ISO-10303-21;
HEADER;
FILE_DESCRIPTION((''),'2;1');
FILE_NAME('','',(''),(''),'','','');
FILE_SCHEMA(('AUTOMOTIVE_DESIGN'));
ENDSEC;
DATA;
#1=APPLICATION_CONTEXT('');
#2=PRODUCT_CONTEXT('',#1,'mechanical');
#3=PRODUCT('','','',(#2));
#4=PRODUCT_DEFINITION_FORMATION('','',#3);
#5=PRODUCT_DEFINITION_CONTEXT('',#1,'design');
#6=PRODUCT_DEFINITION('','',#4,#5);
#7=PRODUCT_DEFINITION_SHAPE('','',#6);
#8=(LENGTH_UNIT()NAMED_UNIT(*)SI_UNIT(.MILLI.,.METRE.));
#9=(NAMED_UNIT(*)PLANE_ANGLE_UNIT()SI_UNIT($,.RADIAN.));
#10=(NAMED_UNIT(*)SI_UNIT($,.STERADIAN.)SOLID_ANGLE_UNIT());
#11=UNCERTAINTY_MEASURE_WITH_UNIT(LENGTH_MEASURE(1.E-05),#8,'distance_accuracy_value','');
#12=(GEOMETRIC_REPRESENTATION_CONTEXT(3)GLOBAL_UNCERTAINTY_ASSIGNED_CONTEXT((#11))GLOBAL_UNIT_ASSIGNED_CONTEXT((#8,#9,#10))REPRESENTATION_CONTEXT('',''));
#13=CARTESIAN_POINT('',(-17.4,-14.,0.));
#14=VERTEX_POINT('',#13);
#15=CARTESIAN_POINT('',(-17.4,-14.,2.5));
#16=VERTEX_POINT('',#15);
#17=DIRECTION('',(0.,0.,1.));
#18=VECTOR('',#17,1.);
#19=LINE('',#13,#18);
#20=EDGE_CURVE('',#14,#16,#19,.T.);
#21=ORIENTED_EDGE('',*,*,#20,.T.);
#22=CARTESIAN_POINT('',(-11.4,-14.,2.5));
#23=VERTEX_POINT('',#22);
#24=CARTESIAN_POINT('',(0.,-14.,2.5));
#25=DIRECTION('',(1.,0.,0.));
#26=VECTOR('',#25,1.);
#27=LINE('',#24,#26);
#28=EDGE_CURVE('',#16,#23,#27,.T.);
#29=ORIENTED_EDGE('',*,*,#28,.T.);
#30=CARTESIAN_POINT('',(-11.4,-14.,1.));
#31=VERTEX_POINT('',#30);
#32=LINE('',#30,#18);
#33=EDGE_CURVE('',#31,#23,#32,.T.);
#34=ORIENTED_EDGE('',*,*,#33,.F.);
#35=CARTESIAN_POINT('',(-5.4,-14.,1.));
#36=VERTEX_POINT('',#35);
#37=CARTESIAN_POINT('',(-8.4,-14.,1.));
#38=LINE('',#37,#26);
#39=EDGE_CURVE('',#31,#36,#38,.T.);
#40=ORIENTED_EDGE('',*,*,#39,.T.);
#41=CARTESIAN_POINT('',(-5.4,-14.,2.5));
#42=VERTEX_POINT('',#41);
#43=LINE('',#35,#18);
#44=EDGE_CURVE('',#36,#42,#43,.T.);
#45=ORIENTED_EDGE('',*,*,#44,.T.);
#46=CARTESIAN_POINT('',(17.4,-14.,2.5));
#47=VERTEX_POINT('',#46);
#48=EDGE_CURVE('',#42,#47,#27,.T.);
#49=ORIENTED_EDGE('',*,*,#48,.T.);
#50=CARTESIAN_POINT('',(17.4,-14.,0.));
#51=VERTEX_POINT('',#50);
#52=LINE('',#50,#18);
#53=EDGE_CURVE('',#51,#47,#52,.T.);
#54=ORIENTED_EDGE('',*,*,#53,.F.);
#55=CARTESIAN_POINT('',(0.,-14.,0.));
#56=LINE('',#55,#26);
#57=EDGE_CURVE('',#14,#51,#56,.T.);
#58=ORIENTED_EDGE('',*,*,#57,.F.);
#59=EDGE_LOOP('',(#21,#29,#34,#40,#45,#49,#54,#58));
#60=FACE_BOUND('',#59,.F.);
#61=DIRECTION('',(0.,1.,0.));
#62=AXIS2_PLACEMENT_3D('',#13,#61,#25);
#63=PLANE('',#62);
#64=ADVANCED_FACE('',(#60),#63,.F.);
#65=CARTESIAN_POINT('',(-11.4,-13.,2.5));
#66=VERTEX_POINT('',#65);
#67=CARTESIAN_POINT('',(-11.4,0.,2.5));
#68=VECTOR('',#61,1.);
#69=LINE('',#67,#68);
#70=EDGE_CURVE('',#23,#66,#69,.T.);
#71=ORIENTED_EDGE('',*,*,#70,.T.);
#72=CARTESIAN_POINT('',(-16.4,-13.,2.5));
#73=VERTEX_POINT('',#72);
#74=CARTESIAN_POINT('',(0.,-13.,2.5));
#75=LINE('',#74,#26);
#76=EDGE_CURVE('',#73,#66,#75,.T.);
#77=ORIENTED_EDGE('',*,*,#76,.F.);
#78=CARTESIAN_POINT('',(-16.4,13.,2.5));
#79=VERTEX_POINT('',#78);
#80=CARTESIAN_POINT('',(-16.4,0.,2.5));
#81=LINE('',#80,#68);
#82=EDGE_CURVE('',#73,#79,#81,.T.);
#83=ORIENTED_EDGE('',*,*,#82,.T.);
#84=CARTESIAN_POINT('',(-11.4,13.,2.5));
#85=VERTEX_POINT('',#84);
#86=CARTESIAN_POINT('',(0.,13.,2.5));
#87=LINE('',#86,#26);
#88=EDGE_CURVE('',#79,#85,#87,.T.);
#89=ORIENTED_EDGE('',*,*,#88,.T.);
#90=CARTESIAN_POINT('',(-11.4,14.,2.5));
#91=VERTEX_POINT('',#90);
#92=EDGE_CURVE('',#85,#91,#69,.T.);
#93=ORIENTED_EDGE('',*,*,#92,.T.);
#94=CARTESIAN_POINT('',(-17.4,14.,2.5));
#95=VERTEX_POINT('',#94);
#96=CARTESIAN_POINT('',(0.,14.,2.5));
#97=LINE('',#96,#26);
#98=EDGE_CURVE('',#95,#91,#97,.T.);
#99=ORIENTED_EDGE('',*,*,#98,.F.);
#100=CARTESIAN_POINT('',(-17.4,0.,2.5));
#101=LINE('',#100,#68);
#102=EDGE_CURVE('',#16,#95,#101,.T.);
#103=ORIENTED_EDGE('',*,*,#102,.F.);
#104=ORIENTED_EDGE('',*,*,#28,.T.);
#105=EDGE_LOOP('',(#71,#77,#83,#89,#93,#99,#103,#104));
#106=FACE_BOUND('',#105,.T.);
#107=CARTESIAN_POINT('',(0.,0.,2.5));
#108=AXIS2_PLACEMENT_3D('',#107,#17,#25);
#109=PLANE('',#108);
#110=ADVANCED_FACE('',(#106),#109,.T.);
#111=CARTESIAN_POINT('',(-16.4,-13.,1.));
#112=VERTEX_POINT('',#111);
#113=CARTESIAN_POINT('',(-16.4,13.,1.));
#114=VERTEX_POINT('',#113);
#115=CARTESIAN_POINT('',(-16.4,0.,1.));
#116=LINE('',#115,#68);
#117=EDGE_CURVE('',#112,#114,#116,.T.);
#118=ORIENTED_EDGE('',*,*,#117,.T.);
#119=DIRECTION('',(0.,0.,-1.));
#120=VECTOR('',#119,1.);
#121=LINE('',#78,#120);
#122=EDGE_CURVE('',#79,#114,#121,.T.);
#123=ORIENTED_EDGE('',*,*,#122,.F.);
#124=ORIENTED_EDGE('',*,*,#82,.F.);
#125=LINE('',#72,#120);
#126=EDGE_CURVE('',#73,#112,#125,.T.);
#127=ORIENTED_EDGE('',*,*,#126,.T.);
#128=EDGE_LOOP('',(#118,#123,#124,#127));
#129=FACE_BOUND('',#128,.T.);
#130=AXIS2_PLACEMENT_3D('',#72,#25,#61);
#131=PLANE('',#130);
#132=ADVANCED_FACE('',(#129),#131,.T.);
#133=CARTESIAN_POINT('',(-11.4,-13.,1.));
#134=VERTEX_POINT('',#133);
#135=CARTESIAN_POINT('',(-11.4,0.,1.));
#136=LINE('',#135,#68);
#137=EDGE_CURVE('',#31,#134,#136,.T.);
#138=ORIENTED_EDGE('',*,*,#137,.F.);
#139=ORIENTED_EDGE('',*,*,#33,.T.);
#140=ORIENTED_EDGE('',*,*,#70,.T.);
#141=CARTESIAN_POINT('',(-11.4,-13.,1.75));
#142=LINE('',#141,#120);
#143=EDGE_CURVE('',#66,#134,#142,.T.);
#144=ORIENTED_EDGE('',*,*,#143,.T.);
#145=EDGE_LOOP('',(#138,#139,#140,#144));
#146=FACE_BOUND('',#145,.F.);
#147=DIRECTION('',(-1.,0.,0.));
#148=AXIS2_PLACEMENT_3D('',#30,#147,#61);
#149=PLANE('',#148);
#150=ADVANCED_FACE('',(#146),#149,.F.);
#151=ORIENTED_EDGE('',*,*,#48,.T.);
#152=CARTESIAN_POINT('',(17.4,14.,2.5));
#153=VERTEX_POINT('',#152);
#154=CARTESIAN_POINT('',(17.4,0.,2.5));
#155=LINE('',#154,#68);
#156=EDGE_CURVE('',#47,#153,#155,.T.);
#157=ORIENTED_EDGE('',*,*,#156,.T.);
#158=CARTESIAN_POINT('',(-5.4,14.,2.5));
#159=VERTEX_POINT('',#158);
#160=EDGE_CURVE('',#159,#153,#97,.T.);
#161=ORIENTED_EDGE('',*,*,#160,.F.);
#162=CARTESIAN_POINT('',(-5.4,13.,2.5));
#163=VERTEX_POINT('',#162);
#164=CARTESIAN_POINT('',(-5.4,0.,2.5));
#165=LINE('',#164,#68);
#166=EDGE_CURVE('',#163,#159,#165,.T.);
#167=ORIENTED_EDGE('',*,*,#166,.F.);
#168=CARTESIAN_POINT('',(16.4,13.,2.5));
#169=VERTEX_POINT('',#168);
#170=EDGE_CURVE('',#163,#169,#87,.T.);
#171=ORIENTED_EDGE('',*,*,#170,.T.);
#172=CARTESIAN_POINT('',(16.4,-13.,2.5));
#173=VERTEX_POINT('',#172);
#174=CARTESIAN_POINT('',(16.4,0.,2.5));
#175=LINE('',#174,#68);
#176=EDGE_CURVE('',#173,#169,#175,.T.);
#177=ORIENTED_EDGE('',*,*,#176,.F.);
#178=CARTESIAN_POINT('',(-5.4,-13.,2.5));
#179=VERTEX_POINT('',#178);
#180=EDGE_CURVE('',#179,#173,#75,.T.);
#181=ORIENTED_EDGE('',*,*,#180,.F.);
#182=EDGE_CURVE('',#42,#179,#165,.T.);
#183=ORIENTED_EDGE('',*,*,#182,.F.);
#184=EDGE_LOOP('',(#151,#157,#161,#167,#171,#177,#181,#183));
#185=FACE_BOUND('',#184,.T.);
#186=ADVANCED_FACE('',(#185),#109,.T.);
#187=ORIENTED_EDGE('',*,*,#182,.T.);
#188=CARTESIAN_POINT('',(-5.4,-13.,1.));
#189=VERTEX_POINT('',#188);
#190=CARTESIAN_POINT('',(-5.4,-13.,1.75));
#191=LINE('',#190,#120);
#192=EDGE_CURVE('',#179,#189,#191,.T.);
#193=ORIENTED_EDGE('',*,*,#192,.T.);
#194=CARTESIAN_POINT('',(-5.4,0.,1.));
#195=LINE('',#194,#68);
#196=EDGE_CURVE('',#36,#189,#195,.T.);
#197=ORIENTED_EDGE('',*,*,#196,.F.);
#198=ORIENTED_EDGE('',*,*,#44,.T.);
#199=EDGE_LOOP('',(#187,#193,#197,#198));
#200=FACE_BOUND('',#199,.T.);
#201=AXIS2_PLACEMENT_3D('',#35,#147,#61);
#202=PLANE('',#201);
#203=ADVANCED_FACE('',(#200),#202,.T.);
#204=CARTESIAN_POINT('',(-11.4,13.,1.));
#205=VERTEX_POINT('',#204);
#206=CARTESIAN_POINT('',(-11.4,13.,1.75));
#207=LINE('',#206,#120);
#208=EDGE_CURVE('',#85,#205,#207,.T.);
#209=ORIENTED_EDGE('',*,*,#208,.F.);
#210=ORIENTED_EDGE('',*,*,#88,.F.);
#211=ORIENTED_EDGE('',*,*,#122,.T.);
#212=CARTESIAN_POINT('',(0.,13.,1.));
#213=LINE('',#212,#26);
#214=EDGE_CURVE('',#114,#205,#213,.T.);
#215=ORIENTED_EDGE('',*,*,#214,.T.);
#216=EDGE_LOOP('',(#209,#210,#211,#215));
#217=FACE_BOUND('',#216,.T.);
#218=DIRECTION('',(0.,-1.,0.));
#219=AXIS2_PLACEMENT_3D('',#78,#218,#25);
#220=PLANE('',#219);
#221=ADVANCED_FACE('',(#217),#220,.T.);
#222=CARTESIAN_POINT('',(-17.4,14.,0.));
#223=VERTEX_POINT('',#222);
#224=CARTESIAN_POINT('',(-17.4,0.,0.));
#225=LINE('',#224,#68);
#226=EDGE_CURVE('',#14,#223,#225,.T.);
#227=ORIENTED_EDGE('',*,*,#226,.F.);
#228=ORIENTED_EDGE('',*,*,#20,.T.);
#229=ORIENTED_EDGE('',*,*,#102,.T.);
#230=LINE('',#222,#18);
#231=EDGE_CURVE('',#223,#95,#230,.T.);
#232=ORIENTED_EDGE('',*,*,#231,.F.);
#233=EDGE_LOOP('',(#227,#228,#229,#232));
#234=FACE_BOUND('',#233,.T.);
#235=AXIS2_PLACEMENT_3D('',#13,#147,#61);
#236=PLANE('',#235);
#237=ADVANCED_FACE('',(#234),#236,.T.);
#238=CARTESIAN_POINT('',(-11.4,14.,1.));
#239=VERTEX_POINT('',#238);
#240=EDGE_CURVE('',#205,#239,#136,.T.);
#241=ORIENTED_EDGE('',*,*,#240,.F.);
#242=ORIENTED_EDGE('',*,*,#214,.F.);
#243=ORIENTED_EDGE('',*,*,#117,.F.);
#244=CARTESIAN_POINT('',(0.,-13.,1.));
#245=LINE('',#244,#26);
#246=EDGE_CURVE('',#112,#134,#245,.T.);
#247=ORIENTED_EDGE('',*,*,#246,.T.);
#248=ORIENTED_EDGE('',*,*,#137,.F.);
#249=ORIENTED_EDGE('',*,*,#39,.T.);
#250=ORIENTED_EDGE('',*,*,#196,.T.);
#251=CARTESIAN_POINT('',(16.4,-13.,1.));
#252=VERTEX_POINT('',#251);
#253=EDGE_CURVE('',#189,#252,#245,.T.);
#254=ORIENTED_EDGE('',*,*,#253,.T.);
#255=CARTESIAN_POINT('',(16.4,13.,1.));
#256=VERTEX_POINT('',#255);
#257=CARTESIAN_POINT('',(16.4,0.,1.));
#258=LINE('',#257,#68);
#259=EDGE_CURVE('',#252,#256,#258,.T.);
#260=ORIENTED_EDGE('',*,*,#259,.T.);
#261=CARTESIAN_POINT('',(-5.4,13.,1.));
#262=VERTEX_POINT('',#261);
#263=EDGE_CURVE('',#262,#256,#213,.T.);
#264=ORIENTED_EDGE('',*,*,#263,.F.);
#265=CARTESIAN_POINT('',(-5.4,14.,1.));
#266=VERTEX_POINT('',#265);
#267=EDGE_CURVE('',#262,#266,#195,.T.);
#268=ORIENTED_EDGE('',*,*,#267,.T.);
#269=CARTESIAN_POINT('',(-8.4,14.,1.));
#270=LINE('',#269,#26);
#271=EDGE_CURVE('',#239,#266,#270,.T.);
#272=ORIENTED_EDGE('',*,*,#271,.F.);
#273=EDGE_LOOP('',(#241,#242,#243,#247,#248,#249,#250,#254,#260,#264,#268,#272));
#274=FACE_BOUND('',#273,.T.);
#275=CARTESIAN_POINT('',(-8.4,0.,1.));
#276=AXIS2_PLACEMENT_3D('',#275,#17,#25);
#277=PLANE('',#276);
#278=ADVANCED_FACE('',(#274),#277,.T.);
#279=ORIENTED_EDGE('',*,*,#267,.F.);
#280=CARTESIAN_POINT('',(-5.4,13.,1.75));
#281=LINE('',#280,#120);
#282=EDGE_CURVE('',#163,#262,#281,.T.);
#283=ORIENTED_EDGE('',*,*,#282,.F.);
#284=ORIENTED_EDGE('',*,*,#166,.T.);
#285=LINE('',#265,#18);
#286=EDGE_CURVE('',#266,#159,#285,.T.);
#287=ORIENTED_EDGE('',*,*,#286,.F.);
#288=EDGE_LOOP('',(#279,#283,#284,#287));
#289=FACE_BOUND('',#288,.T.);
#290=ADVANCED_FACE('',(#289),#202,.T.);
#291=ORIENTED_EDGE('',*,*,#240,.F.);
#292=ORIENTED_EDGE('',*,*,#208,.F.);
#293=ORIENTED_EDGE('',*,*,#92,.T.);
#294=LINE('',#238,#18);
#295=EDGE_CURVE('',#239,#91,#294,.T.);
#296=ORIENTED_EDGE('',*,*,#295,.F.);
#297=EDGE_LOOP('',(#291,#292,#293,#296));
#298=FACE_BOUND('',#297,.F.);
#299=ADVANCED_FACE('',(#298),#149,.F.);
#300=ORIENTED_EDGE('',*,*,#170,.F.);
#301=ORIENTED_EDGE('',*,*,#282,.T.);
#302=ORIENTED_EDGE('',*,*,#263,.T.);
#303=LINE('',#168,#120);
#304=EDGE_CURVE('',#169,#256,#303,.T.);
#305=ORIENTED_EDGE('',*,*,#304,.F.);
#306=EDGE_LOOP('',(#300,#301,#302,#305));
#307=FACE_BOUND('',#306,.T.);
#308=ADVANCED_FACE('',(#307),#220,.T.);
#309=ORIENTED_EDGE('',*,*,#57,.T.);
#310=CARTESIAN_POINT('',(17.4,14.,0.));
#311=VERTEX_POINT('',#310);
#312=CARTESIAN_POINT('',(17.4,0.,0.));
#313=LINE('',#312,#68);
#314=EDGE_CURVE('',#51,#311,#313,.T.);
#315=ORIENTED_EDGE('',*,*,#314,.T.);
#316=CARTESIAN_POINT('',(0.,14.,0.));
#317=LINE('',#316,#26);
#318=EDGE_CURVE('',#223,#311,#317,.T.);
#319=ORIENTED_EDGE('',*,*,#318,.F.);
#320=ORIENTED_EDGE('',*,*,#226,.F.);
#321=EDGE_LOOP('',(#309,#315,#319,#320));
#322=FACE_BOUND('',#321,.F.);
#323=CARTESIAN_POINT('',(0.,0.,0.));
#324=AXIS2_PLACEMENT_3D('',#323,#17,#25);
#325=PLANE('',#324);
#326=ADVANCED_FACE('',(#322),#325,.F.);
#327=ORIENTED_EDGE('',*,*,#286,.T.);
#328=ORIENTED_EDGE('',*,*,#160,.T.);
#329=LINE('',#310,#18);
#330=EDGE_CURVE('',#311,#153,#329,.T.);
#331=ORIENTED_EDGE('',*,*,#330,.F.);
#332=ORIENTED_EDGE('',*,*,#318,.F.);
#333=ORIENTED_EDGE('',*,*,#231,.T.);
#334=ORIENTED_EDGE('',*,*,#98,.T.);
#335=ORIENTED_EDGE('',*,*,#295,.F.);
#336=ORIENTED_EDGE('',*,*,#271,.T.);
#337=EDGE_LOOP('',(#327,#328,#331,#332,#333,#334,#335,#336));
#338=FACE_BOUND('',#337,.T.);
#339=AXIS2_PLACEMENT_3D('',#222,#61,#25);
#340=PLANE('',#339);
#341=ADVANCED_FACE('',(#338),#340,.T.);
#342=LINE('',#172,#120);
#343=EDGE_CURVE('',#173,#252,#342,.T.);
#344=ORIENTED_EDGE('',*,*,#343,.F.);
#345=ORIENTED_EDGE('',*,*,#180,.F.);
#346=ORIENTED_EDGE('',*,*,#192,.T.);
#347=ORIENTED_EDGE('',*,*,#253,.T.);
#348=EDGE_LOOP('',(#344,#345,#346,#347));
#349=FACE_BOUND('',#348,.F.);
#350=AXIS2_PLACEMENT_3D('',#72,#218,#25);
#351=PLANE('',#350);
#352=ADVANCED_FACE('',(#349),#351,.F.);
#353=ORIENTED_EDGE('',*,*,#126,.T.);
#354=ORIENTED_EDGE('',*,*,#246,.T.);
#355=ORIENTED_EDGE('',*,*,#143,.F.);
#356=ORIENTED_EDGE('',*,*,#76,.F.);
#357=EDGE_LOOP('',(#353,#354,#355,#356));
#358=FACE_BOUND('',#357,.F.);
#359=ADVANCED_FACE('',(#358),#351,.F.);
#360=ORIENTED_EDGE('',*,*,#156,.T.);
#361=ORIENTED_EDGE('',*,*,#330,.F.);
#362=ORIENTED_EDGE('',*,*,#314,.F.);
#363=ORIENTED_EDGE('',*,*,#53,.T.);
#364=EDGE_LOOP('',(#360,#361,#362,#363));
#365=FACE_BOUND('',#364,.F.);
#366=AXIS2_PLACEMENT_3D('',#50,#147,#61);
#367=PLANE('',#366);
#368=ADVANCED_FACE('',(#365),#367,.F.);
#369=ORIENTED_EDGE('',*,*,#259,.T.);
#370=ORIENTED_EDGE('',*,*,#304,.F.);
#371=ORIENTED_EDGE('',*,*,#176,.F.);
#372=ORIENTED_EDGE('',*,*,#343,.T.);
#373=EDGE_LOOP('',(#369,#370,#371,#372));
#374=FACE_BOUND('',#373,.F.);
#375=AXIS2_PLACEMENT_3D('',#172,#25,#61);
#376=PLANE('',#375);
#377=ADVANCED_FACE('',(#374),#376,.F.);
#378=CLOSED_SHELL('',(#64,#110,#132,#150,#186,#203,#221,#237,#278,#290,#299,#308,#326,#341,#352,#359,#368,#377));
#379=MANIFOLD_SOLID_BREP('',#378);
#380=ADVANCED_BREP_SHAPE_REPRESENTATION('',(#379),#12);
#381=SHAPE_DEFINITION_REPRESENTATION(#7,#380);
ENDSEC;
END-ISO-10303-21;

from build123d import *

# Parameters (mm, degrees)
F0_W     = 34.8
F0_H     = 28
F1_DEPTH = 2.5
F2_W     = 32.8
F2_H     = 26
F3_DEPTH = 1.5
F4_W     = 6
F4_H     = 28
F5_DEPTH = 1.5


with BuildPart() as f1:
    # F0 (on Top) → F1 (new body)
    with BuildSketch(Plane.XY):
        Rectangle(F0_W, F0_H)
    extrude(amount=F1_DEPTH)

    # F2 (on face) → F3 (cut)
    with BuildSketch(Plane.XY.offset(2.5)):
        Rectangle(F2_W, F2_H)
    extrude(amount=-F3_DEPTH, mode=Mode.SUBTRACT)

    # F4 (on face) → F5 (cut)
    with BuildSketch(Plane.XY.offset(1)):
        with Locations((-8.4, 0)):
            Rectangle(F4_W, F4_H)
    extrude(amount=F5_DEPTH, mode=Mode.SUBTRACT)


solid = f1.part
